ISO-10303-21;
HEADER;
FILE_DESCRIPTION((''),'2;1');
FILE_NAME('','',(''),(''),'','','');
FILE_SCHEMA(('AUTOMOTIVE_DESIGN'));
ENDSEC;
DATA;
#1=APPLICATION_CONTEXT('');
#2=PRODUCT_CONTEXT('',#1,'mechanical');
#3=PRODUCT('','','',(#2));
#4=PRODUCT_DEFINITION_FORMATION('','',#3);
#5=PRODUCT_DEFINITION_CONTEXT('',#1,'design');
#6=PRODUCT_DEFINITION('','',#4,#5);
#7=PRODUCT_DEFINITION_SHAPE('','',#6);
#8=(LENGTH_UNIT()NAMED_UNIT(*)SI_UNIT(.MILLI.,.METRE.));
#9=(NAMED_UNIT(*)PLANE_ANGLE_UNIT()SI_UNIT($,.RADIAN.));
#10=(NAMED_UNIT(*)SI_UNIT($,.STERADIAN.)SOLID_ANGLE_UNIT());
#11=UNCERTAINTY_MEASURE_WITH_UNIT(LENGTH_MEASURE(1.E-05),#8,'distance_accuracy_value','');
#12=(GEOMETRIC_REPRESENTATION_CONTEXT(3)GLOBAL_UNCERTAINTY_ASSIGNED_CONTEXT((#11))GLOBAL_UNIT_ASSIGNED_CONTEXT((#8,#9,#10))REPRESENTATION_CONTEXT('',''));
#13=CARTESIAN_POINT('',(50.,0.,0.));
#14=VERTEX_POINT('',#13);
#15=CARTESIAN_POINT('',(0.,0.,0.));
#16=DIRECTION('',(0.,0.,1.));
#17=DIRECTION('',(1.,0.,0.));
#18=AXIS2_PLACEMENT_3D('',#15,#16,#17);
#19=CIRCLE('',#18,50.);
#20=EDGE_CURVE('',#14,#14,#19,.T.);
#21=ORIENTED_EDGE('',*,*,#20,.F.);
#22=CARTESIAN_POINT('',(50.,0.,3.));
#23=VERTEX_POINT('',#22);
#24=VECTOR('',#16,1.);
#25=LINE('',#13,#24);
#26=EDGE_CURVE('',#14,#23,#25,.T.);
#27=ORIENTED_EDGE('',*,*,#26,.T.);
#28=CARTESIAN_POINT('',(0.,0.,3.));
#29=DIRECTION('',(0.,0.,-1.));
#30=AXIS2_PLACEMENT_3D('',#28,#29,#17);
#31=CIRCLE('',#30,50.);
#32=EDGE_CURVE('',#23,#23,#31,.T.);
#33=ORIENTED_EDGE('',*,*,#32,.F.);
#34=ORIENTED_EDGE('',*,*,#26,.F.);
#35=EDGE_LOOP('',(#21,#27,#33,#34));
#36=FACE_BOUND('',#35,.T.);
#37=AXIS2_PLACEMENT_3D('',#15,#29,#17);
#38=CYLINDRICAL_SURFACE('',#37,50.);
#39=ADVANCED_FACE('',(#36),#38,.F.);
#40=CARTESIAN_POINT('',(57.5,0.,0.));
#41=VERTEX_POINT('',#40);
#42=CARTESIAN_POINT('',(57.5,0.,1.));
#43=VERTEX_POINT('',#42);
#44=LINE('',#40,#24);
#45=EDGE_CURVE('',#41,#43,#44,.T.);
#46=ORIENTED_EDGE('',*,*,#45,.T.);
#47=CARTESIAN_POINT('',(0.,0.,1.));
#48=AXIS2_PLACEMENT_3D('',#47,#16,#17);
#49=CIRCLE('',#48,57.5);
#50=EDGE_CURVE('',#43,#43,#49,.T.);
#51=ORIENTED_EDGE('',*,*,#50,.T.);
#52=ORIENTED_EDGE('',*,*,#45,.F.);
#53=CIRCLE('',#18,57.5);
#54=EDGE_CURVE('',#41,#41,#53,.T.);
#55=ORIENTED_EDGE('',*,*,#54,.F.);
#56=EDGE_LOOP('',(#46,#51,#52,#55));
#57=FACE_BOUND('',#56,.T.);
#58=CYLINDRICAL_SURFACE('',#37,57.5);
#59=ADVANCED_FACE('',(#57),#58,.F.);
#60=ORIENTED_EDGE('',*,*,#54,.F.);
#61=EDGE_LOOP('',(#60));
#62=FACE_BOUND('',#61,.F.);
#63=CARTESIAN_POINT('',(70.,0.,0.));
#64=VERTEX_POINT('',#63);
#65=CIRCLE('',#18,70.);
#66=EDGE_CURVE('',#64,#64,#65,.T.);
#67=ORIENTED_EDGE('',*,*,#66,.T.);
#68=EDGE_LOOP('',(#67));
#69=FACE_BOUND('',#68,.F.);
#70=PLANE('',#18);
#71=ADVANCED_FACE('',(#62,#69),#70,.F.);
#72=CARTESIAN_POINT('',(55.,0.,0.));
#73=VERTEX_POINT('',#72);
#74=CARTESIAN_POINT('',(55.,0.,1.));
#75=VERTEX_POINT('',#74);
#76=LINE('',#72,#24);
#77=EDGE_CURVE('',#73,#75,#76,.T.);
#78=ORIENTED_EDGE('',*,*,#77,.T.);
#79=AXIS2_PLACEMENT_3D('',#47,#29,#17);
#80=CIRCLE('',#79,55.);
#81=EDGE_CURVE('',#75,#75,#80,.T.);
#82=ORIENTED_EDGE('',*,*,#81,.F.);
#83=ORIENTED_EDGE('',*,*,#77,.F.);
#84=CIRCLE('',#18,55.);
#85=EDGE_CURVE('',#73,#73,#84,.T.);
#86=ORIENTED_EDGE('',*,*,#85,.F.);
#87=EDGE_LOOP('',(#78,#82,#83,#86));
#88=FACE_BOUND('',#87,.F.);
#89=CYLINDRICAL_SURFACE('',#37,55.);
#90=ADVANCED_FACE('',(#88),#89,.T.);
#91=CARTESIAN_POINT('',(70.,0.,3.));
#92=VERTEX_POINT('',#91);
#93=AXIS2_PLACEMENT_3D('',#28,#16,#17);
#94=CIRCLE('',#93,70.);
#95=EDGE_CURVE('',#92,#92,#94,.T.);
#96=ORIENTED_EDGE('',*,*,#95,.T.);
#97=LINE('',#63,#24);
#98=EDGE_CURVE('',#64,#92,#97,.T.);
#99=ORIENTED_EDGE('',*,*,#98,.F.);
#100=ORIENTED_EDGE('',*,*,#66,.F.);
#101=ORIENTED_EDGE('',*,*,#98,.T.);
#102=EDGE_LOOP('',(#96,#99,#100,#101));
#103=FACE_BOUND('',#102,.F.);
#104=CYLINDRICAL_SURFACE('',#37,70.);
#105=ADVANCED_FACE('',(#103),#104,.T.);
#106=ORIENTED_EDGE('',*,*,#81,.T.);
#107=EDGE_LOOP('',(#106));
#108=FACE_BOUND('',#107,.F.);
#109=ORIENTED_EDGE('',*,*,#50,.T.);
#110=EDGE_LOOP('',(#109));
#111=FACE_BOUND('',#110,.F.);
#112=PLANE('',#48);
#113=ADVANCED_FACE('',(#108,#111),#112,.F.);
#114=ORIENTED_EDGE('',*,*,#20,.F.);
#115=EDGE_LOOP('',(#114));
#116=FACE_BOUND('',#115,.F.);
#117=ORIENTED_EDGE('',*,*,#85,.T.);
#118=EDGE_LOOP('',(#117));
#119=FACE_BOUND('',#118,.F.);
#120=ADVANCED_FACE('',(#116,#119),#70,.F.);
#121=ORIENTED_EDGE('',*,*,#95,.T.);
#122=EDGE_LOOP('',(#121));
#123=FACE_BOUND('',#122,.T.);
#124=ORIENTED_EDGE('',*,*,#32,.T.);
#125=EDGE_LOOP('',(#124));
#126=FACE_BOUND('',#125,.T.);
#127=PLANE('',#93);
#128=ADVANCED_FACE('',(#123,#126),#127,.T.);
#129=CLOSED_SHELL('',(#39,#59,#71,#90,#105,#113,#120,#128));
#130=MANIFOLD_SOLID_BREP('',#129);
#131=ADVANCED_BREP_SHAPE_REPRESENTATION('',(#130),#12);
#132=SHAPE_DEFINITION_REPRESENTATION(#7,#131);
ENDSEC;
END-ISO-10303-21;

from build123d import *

# Parameters (mm, degrees)
SKETCH_R             = 70
PAD_DEPTH            = 3
SKETCH001_R          = 57.5
POCKET_DEPTH         = 1
SKETCH002_R          = 55
PAD001_DEPTH         = 3
SKETCH003_R          = 50
POCKET001_DEPTH      = 0.001
POCKET001_DEPTH_BACK = -3.001


with BuildPart() as part:
    # Sketch → Pad (new body)
    with BuildSketch(Plane.XY):
        Circle(SKETCH_R)
    extrude(amount=PAD_DEPTH)

    # Sketch001 → Pocket (cut)
    with BuildSketch(Plane.XY):
        Circle(SKETCH001_R)
    extrude(amount=POCKET_DEPTH, mode=Mode.SUBTRACT)

    # Sketch002 → Pad001 (join)
    with BuildSketch(Plane.XY):
        Circle(SKETCH002_R)
    extrude(amount=PAD001_DEPTH)

    # Sketch003 → Pocket001 (cut, two sides)
    with BuildSketch(Plane.XY) as pocket001_sk:
        Circle(SKETCH003_R)
    extrude(amount=-POCKET001_DEPTH, mode=Mode.SUBTRACT)
    extrude(pocket001_sk.sketch, amount=-POCKET001_DEPTH_BACK, mode=Mode.SUBTRACT)


solid = part.part
